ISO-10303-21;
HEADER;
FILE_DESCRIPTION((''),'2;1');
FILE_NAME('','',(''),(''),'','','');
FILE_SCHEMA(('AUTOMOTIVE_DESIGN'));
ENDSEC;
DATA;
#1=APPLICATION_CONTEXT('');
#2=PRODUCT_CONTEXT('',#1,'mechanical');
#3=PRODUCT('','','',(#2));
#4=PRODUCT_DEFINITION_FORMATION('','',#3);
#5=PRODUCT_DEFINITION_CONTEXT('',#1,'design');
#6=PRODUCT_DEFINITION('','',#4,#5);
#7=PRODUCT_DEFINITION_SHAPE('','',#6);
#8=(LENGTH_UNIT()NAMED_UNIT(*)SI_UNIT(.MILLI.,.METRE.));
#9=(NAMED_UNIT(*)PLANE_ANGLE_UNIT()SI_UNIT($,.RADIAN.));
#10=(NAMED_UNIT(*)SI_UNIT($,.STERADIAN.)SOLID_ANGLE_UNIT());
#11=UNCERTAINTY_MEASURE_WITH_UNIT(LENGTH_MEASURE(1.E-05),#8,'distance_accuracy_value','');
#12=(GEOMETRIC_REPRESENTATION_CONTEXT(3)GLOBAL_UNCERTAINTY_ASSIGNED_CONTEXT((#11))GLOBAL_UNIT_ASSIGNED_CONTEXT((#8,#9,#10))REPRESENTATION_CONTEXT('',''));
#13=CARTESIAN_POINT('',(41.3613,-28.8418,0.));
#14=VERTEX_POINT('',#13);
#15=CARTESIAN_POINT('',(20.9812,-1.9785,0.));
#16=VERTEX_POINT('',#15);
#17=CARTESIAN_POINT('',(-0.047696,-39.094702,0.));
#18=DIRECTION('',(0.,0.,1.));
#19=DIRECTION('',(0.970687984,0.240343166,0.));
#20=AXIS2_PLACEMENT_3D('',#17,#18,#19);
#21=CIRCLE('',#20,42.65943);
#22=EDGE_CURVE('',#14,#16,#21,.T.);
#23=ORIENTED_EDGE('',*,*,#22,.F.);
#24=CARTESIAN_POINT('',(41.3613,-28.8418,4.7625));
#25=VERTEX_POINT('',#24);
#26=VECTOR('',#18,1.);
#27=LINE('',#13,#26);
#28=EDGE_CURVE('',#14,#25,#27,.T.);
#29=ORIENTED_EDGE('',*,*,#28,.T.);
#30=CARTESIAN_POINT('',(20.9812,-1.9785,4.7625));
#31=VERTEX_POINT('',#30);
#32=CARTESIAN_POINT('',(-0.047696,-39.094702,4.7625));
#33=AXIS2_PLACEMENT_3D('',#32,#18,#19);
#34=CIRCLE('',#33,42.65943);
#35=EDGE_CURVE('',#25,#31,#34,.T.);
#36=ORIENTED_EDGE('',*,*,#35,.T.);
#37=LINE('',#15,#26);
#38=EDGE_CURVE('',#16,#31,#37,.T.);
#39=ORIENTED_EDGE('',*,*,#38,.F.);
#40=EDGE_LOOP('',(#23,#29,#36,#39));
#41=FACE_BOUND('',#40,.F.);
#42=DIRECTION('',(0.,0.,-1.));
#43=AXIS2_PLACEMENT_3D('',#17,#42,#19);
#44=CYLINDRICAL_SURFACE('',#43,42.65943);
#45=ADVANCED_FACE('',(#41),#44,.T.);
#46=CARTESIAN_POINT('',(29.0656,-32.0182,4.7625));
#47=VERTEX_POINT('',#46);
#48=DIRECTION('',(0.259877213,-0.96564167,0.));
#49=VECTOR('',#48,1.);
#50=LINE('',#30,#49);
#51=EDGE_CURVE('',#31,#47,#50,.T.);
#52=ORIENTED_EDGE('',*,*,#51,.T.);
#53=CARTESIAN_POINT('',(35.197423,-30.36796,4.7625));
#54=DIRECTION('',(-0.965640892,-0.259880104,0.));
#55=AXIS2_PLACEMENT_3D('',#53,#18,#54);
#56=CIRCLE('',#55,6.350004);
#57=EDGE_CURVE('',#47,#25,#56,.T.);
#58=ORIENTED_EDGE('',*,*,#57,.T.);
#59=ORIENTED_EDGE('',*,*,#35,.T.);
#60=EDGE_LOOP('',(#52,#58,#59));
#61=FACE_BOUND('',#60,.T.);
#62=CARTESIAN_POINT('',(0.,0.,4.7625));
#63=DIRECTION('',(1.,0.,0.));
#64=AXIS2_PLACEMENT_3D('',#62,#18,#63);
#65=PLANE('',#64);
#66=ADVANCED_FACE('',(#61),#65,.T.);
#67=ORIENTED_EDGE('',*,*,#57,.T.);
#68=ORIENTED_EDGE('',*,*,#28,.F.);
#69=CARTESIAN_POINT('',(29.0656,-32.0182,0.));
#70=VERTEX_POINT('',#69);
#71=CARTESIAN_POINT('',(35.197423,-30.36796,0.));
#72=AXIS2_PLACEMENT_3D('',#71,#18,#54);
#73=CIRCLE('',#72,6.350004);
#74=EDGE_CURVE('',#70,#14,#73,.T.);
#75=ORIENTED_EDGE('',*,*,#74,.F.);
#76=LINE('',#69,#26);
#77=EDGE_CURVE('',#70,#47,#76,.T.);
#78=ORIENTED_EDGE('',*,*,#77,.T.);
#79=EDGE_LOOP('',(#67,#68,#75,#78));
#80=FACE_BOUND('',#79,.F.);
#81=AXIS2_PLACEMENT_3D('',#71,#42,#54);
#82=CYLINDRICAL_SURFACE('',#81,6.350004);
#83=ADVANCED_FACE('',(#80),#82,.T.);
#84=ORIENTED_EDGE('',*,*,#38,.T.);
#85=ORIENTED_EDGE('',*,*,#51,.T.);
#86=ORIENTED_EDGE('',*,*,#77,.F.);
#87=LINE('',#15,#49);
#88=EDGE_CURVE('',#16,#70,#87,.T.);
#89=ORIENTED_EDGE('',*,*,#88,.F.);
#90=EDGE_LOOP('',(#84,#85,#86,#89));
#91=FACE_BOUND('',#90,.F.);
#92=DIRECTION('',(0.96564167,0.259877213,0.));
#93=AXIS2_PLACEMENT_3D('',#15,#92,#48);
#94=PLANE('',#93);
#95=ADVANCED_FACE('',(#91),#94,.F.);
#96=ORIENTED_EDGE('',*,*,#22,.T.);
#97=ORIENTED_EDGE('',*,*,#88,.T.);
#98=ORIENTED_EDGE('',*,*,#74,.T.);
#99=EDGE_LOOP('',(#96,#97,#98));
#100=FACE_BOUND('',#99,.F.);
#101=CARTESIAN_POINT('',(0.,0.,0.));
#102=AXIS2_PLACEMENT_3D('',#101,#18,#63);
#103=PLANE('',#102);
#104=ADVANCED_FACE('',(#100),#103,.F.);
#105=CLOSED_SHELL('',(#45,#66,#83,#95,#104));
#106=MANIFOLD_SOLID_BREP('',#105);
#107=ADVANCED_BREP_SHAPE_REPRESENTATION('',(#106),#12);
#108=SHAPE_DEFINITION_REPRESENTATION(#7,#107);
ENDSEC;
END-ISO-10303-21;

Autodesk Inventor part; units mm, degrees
ref_plane "YZ Plane" through (0, 0, 0) normal (1, 0, 0) x (0, 1, 0)
ref_plane "XZ Plane" through (0, 0, 0) normal (0, 1, 0) x (-1, 0, 0)
ref_plane "XY Plane" through (0, 0, 0) normal (0, 0, 1) x (1, 0, 0)
ref_plane "Work Plane1" through (0, 0, 0) normal (0, 0, 1) x (1, 0, 0)
sketch "Sketch1" plane through (0, 0, 0) normal (0, 0, 1) x (1, 0, 0)
  arc A0 (29.0656, -32.0182) -> (41.3613, -28.8418) centre (35.1974, -30.368) ccw
  line L0 (20.9812, -1.9785) -> (29.0656, -32.0182)
  arc A1 (41.3613, -28.8418) -> (20.9812, -1.9785) centre (-0.0479, -39.0948) ccw
  point P0 (0, 0)
  dimension "d0" = 31.75
  dimension "d1" = 12.7
extrude "Extrusion1" add sketch "Sketch1" along normal blind 4.7625
